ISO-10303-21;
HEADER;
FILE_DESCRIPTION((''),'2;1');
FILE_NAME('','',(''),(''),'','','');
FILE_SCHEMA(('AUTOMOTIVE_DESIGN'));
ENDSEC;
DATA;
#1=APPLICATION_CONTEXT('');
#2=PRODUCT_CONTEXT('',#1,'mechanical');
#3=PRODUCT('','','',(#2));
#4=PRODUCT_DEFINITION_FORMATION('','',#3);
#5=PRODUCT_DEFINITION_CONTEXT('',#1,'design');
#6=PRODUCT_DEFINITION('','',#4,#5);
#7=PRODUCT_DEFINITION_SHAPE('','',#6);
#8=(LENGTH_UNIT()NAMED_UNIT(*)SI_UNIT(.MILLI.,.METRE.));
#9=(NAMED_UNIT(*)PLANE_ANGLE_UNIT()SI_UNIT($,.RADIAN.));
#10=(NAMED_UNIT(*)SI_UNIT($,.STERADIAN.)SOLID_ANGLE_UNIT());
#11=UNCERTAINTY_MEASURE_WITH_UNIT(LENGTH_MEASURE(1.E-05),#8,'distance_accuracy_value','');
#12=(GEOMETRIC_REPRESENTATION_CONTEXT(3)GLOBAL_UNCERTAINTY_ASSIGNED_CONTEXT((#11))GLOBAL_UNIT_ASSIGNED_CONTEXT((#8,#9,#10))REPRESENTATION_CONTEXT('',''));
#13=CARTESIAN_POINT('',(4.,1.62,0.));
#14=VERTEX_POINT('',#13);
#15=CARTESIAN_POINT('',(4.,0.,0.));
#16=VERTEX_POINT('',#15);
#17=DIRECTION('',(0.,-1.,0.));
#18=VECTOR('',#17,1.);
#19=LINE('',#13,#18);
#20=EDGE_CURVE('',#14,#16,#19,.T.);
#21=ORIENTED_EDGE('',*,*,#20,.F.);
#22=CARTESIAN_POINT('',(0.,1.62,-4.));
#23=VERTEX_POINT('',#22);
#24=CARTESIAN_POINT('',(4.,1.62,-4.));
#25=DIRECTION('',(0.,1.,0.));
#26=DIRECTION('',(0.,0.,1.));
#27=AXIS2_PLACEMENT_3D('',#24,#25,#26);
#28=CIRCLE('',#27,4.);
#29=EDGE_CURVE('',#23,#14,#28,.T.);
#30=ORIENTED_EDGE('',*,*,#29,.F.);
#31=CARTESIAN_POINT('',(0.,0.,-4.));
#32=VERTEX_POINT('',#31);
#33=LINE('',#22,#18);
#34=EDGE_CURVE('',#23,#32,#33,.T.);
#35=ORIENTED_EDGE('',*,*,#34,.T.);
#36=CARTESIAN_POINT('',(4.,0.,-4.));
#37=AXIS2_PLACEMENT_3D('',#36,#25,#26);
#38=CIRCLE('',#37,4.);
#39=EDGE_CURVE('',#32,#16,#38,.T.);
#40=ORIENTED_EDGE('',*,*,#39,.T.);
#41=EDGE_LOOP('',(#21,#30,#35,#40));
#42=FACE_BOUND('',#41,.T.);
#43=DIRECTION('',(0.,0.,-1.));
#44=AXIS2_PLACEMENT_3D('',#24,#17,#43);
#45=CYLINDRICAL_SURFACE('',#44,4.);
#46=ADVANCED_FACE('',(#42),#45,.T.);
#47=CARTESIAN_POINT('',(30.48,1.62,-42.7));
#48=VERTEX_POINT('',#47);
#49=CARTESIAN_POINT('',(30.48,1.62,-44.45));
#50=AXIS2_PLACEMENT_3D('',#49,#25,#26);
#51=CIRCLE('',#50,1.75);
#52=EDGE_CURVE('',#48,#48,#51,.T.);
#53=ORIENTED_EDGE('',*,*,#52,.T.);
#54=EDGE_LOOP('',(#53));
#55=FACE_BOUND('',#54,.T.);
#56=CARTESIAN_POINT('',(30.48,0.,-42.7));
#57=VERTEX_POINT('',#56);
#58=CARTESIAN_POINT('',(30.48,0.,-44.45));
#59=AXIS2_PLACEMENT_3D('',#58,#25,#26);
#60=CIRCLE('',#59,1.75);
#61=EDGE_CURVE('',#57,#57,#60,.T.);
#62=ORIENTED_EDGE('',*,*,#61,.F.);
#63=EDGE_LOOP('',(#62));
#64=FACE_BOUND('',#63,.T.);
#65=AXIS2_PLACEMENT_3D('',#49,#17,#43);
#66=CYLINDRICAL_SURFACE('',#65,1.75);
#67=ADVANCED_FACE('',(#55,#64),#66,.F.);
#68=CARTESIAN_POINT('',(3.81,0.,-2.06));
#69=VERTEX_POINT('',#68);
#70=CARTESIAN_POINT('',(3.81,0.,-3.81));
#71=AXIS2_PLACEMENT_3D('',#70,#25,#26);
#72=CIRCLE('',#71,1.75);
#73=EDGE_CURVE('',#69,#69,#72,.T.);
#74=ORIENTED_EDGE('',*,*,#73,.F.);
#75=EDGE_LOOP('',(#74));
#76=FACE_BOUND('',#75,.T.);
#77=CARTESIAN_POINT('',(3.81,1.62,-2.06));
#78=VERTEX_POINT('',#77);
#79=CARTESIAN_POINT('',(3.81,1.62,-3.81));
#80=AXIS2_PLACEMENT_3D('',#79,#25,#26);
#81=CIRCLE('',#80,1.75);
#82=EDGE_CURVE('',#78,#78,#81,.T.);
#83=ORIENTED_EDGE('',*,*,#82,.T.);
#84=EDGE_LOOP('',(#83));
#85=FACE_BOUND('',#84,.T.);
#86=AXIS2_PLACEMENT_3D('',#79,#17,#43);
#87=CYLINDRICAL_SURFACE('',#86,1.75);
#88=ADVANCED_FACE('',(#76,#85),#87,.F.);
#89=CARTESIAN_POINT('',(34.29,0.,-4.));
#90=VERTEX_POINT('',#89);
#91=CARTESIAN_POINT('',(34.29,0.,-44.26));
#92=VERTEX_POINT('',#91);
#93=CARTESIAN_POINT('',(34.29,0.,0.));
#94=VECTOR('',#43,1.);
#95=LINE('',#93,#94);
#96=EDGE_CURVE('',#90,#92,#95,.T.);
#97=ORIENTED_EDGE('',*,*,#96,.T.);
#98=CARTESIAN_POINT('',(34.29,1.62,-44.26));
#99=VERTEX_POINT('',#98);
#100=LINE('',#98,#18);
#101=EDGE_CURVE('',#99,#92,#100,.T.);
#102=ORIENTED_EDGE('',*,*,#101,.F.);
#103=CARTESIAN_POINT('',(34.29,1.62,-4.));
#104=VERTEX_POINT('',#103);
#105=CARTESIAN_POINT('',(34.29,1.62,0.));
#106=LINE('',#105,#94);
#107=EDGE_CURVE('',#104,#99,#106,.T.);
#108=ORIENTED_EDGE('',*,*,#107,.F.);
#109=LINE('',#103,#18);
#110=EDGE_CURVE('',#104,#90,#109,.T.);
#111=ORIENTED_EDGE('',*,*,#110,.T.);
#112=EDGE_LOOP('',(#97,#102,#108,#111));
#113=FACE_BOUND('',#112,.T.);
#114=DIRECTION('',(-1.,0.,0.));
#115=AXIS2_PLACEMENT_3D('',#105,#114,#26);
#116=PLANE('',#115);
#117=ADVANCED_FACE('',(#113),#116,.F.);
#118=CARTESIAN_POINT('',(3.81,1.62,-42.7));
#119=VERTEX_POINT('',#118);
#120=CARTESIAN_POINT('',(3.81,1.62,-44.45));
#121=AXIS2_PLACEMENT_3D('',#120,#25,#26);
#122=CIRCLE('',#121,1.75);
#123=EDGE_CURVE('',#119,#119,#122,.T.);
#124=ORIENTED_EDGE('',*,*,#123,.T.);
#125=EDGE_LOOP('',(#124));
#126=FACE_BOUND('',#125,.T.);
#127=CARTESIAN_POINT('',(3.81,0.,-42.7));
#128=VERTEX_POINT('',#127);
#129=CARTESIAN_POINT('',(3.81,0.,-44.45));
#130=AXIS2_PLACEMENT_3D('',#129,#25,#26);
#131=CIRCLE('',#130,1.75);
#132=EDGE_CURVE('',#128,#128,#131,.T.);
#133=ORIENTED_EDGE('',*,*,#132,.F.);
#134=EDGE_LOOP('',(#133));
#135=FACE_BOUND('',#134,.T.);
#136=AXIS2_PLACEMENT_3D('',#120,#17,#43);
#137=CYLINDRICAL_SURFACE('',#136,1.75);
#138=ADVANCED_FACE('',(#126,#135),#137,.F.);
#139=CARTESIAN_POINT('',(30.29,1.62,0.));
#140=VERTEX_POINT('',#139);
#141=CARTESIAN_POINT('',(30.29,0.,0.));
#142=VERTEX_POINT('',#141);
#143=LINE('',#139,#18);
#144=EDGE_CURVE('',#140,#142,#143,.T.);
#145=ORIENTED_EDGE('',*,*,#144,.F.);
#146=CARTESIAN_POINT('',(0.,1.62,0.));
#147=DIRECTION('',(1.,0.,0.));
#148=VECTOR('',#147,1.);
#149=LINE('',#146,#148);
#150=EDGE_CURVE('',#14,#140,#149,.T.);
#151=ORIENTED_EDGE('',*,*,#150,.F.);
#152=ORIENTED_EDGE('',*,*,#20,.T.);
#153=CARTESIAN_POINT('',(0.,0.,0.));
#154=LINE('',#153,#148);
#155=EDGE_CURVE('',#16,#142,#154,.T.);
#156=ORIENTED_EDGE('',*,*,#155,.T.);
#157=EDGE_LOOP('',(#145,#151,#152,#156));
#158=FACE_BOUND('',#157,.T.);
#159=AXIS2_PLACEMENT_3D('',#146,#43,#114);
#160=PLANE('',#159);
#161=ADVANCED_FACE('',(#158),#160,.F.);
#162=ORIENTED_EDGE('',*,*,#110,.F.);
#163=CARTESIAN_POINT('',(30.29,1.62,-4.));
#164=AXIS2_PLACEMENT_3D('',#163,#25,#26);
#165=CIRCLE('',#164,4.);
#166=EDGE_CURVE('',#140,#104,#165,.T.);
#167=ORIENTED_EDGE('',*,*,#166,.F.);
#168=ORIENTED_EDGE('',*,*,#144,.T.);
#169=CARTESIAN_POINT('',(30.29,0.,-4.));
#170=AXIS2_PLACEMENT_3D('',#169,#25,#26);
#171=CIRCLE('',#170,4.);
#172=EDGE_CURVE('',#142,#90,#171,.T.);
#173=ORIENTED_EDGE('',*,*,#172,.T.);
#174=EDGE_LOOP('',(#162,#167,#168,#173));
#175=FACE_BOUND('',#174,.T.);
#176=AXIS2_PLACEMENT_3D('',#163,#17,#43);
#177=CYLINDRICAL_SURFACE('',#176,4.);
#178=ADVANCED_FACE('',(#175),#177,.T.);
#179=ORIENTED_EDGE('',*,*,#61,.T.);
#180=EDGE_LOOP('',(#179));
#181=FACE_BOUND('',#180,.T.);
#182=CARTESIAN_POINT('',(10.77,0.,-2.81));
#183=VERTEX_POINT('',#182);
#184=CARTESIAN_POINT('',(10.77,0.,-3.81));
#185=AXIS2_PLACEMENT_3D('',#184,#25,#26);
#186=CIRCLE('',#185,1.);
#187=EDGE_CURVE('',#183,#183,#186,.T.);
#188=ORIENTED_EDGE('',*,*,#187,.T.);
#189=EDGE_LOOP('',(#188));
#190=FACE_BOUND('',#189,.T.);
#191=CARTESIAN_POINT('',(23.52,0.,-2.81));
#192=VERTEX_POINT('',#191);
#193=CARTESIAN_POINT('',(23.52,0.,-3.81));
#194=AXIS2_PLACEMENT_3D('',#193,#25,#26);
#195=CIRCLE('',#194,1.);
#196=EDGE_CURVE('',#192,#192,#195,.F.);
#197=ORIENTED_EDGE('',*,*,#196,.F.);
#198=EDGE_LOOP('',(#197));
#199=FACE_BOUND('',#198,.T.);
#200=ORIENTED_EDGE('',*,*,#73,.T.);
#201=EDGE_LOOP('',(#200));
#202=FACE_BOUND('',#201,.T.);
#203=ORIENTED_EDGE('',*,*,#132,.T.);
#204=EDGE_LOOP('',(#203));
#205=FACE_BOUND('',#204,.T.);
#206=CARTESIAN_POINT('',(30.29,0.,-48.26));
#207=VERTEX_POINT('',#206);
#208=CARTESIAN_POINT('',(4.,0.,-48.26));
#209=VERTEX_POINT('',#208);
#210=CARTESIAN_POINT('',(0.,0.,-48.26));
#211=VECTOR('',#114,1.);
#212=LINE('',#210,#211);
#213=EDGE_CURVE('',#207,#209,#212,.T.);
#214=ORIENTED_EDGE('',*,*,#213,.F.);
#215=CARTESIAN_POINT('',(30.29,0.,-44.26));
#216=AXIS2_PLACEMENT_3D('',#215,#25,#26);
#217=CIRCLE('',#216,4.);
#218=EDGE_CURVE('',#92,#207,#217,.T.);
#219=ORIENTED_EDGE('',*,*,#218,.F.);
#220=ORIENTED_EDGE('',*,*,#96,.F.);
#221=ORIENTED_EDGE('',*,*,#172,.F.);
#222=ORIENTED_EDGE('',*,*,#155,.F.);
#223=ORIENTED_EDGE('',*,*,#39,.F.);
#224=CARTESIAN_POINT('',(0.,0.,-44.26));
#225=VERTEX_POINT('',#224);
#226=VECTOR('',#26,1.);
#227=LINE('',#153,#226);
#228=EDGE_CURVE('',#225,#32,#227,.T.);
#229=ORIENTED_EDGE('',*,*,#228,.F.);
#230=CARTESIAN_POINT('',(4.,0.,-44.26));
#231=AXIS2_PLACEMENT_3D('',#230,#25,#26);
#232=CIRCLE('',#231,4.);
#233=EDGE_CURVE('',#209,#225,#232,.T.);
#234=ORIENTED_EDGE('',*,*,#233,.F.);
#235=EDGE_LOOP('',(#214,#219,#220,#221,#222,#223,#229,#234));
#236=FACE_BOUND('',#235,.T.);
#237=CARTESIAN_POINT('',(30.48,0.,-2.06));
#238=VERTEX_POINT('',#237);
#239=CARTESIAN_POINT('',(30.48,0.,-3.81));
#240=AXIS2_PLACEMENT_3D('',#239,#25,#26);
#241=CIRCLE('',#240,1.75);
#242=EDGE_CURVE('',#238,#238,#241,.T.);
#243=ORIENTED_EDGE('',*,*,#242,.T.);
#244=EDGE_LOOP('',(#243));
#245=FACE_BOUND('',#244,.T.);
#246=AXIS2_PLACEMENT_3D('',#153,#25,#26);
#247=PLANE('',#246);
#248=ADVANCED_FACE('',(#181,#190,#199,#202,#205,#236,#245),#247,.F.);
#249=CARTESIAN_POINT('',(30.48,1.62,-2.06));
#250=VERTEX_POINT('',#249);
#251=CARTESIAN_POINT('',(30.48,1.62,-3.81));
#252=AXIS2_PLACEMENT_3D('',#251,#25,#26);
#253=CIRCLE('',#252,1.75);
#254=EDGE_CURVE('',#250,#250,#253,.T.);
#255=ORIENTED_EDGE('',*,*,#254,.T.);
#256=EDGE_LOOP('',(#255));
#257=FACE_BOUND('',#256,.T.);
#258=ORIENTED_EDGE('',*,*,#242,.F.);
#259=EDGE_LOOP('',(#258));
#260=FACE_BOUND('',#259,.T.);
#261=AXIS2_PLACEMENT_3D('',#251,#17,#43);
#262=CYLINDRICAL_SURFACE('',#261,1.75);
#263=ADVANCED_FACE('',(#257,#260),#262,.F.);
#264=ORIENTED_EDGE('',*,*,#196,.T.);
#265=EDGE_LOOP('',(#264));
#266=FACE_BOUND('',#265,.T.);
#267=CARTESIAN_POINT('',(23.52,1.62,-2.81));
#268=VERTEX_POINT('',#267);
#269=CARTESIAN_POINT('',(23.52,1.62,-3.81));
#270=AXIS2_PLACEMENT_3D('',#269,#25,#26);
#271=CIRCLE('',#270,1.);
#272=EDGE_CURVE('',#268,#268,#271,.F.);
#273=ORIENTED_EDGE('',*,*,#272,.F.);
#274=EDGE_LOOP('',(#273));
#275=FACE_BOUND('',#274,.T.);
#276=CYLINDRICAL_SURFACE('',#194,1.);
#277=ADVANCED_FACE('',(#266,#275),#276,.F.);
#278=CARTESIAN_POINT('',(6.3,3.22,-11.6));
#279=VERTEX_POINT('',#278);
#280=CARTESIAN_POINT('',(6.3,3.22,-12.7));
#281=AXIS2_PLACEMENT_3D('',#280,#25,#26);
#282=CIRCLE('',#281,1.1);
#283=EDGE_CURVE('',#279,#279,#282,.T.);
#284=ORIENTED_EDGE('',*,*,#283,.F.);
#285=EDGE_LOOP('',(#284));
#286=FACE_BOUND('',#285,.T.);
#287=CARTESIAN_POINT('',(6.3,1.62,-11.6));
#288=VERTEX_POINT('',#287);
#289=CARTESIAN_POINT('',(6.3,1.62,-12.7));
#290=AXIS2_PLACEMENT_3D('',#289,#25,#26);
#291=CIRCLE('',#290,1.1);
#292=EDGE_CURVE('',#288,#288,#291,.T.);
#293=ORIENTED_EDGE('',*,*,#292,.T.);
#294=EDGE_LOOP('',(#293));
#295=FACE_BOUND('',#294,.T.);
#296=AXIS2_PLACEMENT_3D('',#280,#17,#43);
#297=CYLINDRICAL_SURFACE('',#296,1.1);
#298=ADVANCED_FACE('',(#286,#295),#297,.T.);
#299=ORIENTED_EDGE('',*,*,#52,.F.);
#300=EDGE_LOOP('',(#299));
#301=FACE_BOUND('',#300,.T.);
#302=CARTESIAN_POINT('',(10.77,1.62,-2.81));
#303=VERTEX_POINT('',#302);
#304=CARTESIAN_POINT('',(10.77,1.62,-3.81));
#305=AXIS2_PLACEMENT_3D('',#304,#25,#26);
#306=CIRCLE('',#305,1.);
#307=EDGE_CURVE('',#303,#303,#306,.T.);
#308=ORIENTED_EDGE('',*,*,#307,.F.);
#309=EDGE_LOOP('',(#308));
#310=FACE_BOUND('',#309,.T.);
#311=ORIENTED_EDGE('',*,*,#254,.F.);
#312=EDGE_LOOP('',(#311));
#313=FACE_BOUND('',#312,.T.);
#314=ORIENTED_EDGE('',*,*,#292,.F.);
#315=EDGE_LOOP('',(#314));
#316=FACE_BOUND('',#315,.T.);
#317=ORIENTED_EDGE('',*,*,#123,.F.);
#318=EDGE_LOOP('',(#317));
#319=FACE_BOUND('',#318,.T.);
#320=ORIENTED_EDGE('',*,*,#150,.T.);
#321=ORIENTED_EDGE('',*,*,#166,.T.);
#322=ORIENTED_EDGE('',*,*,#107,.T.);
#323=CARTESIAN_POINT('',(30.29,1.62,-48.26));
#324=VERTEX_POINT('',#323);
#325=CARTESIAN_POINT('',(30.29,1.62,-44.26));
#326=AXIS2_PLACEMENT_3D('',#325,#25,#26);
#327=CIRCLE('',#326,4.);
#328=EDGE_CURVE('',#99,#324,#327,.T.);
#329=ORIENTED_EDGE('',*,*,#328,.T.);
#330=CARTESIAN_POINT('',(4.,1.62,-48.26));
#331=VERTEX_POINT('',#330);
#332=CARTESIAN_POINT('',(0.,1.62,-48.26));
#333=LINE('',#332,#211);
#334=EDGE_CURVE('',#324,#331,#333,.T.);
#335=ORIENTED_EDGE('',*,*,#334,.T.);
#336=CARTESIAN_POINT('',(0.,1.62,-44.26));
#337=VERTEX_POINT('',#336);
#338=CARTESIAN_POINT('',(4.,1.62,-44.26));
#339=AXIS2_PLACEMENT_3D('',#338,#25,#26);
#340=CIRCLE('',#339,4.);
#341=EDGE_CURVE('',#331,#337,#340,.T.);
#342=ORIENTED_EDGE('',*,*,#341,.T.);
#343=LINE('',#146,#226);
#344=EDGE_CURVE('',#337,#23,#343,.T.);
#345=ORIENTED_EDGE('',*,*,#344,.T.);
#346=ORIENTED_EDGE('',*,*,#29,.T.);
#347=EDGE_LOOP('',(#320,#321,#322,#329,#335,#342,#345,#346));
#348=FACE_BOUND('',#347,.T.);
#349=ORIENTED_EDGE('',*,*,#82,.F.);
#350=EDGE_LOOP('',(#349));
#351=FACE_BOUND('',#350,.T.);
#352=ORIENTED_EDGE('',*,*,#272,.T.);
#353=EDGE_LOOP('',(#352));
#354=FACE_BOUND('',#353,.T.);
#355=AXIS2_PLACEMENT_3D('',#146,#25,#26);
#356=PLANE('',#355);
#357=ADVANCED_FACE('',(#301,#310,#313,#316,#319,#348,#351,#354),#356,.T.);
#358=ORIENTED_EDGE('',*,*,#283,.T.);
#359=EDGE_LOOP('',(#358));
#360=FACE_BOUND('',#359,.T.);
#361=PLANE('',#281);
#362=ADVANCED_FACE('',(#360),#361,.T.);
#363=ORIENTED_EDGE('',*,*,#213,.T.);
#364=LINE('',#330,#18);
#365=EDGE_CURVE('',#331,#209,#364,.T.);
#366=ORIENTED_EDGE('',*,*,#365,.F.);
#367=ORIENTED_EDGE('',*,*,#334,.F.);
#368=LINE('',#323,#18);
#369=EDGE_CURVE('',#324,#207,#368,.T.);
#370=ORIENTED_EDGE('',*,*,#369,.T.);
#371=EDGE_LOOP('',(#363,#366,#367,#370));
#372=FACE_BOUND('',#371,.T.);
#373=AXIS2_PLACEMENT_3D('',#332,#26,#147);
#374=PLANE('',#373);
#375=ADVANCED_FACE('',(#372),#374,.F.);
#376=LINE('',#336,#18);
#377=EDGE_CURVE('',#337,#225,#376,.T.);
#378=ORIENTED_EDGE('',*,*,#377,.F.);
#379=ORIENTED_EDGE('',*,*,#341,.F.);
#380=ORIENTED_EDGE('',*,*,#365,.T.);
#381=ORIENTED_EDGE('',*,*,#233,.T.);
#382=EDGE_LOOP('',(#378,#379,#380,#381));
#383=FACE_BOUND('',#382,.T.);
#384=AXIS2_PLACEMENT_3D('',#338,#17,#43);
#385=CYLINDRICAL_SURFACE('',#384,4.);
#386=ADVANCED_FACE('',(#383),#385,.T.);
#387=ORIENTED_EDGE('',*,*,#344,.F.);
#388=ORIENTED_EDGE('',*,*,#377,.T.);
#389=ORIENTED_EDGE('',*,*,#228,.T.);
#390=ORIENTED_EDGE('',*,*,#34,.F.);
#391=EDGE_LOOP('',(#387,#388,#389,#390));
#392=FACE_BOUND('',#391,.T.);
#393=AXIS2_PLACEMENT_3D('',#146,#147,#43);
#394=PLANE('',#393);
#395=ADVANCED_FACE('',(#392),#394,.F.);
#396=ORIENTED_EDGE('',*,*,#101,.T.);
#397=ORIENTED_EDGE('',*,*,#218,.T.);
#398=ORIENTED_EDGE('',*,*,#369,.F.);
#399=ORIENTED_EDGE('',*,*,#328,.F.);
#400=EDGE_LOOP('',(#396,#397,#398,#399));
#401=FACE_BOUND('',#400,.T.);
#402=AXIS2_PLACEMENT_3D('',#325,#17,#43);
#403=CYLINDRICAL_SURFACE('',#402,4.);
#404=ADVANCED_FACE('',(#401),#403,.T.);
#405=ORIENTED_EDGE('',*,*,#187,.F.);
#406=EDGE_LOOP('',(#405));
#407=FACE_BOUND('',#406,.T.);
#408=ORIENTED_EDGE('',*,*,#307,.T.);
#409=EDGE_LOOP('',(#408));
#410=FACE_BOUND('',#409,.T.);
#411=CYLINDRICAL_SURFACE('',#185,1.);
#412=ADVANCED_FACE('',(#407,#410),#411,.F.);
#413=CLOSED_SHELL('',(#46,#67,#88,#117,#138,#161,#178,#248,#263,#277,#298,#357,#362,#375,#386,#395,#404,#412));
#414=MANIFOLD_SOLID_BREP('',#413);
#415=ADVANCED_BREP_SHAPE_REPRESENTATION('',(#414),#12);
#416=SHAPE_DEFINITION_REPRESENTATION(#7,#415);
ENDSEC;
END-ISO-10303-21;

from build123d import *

# Parameters (mm, degrees)
SKETCH1_R           = 1.75
BOSS_EXTRUDE1_DEPTH = 1.62
SKETCH2_R           = 1
CUT_EXTRUDE1_DEPTH  = 1.62
SKETCH3_R           = 1.1
BOSS_EXTRUDE2_DEPTH = 1.6


with BuildPart() as part:
    # Sketch1 → Boss-Extrude1 (new body)
    with BuildSketch(Plane(origin=(0, 0, 0), x_dir=(1, 0, 0), z_dir=(0, 1, 0))):
        with BuildLine():
            Line((30.29, 48.26), (4, 48.26))
            ThreePointArc((4, 48.26), (1.171572875, 47.088427125), (0, 44.26))
            Line((0, 44.26), (0, 4))
            ThreePointArc((0, 4), (1.171572875, 1.171572875), (4, 0))
            Line((4, 0), (30.29, 0))
            ThreePointArc((30.29, 0), (33.118427125, 1.171572875), (34.29, 4))
            Line((34.29, 4), (34.29, 44.26))
            ThreePointArc((34.29, 44.26), (33.118427125, 47.088427125), (30.29, 48.26))
        make_face()
        with Locations((30.48, 44.45)):
            Circle(SKETCH1_R, mode=Mode.SUBTRACT)
        with Locations((3.81, 44.45)):
            Circle(SKETCH1_R, mode=Mode.SUBTRACT)
        with Locations((30.48, 3.81)):
            Circle(SKETCH1_R, mode=Mode.SUBTRACT)
        with Locations((3.81, 3.81)):
            Circle(SKETCH1_R, mode=Mode.SUBTRACT)
    extrude(amount=BOSS_EXTRUDE1_DEPTH)

    # Sketch2 → Cut-Extrude1 (cut)
    with BuildSketch(Plane(origin=(0, 1.62, 0), x_dir=(1, 0, 0), z_dir=(0, 1, 0))):
        with Locations((23.52, 3.81)):
            Circle(SKETCH2_R)
        with Locations((10.77, 3.81)):
            Circle(SKETCH2_R)
    extrude(amount=-CUT_EXTRUDE1_DEPTH, mode=Mode.SUBTRACT)

    # Sketch3 → Boss-Extrude2 (add)
    with BuildSketch(Plane(origin=(0, 1.62, 0), x_dir=(1, 0, 0), z_dir=(0, 1, 0))):
        with Locations((6.3, 12.7)):
            Circle(SKETCH3_R)
    extrude(amount=BOSS_EXTRUDE2_DEPTH)


solid = part.part
